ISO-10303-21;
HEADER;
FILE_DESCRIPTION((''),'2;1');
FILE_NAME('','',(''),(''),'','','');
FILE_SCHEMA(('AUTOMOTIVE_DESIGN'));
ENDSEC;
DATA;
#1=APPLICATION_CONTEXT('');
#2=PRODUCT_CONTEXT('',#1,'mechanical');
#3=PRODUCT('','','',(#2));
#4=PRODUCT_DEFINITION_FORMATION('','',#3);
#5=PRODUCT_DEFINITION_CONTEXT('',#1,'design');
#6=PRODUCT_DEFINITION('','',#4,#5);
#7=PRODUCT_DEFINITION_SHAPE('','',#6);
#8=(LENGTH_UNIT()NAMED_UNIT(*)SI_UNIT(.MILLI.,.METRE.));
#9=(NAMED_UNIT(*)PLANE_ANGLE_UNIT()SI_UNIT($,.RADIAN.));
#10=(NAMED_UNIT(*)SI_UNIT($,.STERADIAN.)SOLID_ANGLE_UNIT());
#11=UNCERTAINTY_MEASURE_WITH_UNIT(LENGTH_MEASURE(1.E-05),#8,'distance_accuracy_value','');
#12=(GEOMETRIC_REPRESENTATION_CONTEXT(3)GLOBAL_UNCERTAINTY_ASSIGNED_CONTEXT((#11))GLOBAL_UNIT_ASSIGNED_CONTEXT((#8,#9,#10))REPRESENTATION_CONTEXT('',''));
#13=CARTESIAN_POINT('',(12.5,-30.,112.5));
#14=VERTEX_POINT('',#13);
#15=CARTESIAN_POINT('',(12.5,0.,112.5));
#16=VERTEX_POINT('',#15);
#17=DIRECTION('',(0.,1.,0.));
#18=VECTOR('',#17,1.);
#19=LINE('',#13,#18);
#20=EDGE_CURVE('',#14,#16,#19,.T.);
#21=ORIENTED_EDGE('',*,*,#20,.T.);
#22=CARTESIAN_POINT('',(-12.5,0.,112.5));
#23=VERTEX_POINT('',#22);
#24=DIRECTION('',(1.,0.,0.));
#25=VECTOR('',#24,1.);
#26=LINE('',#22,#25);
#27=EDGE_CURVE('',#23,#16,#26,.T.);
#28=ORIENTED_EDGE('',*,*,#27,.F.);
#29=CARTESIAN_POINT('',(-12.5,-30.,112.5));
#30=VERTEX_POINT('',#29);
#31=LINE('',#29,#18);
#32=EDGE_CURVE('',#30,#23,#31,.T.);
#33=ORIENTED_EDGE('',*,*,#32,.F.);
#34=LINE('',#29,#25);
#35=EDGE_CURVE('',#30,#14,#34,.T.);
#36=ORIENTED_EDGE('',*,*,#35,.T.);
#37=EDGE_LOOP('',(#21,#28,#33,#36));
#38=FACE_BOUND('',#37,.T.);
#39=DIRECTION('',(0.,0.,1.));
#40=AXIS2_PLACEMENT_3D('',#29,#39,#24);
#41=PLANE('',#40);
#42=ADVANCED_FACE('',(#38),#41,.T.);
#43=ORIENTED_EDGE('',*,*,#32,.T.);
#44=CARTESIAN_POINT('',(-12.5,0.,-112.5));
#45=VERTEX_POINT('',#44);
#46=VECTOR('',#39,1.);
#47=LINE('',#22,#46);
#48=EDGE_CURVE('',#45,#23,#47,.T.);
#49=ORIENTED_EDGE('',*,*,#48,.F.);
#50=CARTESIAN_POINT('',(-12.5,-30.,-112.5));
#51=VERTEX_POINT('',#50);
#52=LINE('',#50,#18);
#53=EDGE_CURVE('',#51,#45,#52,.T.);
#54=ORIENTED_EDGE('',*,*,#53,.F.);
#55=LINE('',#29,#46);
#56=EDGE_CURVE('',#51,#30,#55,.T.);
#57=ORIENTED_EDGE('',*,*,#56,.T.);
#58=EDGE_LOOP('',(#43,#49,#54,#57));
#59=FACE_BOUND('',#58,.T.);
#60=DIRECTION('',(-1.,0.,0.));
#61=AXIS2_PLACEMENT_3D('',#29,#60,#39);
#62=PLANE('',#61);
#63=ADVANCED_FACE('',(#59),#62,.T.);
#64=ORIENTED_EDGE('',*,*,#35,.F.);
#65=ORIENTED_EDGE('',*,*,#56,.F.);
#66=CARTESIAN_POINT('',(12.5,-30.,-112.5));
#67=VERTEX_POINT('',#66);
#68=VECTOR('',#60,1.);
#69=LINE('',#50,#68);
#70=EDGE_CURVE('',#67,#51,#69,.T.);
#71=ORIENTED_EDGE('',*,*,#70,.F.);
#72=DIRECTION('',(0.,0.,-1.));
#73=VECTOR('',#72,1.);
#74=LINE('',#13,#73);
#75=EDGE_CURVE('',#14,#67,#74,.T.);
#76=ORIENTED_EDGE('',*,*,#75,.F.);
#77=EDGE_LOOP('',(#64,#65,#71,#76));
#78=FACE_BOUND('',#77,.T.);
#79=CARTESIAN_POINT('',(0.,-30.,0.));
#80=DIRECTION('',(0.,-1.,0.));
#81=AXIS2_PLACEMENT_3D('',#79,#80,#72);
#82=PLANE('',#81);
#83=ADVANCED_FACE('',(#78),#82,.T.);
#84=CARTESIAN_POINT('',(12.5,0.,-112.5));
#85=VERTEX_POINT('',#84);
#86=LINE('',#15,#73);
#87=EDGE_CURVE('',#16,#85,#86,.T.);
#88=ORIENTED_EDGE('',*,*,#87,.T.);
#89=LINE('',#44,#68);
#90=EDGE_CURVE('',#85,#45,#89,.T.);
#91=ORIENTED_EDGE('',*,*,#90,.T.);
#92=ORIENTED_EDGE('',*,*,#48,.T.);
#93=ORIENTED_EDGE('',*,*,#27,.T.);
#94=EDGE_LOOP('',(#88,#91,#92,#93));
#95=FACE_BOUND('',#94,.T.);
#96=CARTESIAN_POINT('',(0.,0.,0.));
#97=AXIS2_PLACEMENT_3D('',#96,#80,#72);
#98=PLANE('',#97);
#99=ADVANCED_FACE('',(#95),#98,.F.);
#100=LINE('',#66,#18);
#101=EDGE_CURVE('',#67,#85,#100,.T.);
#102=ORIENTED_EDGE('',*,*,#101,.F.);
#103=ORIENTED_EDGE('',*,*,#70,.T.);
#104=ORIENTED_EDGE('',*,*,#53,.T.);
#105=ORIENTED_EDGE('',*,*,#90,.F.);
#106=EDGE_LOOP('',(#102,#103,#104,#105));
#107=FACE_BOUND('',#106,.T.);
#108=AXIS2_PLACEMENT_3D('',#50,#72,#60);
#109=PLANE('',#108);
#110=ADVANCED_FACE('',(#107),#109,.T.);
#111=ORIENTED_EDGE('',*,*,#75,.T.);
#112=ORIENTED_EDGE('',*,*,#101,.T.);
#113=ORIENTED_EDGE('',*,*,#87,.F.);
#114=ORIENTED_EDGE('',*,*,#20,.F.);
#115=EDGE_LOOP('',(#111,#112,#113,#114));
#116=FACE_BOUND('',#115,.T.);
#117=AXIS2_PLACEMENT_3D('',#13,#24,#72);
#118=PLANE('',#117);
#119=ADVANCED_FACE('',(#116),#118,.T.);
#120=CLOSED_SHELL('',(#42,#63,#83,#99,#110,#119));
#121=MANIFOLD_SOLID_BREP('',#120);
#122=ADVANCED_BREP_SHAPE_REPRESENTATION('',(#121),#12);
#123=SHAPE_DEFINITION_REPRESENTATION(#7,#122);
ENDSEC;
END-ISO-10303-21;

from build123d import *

# Parameters (mm, degrees)
SKETCH1_W           = 25
SKETCH1_H           = 225
BOSS_EXTRUDE1_DEPTH = 30


with BuildPart() as part:
    # Sketch1 → Boss-Extrude1 (new body)
    with BuildSketch(Plane(origin=(0, 0, 0), x_dir=(1, 0, 0), z_dir=(0, 1, 0))):
        Rectangle(SKETCH1_W, SKETCH1_H)
    extrude(amount=-BOSS_EXTRUDE1_DEPTH)


solid = part.part
